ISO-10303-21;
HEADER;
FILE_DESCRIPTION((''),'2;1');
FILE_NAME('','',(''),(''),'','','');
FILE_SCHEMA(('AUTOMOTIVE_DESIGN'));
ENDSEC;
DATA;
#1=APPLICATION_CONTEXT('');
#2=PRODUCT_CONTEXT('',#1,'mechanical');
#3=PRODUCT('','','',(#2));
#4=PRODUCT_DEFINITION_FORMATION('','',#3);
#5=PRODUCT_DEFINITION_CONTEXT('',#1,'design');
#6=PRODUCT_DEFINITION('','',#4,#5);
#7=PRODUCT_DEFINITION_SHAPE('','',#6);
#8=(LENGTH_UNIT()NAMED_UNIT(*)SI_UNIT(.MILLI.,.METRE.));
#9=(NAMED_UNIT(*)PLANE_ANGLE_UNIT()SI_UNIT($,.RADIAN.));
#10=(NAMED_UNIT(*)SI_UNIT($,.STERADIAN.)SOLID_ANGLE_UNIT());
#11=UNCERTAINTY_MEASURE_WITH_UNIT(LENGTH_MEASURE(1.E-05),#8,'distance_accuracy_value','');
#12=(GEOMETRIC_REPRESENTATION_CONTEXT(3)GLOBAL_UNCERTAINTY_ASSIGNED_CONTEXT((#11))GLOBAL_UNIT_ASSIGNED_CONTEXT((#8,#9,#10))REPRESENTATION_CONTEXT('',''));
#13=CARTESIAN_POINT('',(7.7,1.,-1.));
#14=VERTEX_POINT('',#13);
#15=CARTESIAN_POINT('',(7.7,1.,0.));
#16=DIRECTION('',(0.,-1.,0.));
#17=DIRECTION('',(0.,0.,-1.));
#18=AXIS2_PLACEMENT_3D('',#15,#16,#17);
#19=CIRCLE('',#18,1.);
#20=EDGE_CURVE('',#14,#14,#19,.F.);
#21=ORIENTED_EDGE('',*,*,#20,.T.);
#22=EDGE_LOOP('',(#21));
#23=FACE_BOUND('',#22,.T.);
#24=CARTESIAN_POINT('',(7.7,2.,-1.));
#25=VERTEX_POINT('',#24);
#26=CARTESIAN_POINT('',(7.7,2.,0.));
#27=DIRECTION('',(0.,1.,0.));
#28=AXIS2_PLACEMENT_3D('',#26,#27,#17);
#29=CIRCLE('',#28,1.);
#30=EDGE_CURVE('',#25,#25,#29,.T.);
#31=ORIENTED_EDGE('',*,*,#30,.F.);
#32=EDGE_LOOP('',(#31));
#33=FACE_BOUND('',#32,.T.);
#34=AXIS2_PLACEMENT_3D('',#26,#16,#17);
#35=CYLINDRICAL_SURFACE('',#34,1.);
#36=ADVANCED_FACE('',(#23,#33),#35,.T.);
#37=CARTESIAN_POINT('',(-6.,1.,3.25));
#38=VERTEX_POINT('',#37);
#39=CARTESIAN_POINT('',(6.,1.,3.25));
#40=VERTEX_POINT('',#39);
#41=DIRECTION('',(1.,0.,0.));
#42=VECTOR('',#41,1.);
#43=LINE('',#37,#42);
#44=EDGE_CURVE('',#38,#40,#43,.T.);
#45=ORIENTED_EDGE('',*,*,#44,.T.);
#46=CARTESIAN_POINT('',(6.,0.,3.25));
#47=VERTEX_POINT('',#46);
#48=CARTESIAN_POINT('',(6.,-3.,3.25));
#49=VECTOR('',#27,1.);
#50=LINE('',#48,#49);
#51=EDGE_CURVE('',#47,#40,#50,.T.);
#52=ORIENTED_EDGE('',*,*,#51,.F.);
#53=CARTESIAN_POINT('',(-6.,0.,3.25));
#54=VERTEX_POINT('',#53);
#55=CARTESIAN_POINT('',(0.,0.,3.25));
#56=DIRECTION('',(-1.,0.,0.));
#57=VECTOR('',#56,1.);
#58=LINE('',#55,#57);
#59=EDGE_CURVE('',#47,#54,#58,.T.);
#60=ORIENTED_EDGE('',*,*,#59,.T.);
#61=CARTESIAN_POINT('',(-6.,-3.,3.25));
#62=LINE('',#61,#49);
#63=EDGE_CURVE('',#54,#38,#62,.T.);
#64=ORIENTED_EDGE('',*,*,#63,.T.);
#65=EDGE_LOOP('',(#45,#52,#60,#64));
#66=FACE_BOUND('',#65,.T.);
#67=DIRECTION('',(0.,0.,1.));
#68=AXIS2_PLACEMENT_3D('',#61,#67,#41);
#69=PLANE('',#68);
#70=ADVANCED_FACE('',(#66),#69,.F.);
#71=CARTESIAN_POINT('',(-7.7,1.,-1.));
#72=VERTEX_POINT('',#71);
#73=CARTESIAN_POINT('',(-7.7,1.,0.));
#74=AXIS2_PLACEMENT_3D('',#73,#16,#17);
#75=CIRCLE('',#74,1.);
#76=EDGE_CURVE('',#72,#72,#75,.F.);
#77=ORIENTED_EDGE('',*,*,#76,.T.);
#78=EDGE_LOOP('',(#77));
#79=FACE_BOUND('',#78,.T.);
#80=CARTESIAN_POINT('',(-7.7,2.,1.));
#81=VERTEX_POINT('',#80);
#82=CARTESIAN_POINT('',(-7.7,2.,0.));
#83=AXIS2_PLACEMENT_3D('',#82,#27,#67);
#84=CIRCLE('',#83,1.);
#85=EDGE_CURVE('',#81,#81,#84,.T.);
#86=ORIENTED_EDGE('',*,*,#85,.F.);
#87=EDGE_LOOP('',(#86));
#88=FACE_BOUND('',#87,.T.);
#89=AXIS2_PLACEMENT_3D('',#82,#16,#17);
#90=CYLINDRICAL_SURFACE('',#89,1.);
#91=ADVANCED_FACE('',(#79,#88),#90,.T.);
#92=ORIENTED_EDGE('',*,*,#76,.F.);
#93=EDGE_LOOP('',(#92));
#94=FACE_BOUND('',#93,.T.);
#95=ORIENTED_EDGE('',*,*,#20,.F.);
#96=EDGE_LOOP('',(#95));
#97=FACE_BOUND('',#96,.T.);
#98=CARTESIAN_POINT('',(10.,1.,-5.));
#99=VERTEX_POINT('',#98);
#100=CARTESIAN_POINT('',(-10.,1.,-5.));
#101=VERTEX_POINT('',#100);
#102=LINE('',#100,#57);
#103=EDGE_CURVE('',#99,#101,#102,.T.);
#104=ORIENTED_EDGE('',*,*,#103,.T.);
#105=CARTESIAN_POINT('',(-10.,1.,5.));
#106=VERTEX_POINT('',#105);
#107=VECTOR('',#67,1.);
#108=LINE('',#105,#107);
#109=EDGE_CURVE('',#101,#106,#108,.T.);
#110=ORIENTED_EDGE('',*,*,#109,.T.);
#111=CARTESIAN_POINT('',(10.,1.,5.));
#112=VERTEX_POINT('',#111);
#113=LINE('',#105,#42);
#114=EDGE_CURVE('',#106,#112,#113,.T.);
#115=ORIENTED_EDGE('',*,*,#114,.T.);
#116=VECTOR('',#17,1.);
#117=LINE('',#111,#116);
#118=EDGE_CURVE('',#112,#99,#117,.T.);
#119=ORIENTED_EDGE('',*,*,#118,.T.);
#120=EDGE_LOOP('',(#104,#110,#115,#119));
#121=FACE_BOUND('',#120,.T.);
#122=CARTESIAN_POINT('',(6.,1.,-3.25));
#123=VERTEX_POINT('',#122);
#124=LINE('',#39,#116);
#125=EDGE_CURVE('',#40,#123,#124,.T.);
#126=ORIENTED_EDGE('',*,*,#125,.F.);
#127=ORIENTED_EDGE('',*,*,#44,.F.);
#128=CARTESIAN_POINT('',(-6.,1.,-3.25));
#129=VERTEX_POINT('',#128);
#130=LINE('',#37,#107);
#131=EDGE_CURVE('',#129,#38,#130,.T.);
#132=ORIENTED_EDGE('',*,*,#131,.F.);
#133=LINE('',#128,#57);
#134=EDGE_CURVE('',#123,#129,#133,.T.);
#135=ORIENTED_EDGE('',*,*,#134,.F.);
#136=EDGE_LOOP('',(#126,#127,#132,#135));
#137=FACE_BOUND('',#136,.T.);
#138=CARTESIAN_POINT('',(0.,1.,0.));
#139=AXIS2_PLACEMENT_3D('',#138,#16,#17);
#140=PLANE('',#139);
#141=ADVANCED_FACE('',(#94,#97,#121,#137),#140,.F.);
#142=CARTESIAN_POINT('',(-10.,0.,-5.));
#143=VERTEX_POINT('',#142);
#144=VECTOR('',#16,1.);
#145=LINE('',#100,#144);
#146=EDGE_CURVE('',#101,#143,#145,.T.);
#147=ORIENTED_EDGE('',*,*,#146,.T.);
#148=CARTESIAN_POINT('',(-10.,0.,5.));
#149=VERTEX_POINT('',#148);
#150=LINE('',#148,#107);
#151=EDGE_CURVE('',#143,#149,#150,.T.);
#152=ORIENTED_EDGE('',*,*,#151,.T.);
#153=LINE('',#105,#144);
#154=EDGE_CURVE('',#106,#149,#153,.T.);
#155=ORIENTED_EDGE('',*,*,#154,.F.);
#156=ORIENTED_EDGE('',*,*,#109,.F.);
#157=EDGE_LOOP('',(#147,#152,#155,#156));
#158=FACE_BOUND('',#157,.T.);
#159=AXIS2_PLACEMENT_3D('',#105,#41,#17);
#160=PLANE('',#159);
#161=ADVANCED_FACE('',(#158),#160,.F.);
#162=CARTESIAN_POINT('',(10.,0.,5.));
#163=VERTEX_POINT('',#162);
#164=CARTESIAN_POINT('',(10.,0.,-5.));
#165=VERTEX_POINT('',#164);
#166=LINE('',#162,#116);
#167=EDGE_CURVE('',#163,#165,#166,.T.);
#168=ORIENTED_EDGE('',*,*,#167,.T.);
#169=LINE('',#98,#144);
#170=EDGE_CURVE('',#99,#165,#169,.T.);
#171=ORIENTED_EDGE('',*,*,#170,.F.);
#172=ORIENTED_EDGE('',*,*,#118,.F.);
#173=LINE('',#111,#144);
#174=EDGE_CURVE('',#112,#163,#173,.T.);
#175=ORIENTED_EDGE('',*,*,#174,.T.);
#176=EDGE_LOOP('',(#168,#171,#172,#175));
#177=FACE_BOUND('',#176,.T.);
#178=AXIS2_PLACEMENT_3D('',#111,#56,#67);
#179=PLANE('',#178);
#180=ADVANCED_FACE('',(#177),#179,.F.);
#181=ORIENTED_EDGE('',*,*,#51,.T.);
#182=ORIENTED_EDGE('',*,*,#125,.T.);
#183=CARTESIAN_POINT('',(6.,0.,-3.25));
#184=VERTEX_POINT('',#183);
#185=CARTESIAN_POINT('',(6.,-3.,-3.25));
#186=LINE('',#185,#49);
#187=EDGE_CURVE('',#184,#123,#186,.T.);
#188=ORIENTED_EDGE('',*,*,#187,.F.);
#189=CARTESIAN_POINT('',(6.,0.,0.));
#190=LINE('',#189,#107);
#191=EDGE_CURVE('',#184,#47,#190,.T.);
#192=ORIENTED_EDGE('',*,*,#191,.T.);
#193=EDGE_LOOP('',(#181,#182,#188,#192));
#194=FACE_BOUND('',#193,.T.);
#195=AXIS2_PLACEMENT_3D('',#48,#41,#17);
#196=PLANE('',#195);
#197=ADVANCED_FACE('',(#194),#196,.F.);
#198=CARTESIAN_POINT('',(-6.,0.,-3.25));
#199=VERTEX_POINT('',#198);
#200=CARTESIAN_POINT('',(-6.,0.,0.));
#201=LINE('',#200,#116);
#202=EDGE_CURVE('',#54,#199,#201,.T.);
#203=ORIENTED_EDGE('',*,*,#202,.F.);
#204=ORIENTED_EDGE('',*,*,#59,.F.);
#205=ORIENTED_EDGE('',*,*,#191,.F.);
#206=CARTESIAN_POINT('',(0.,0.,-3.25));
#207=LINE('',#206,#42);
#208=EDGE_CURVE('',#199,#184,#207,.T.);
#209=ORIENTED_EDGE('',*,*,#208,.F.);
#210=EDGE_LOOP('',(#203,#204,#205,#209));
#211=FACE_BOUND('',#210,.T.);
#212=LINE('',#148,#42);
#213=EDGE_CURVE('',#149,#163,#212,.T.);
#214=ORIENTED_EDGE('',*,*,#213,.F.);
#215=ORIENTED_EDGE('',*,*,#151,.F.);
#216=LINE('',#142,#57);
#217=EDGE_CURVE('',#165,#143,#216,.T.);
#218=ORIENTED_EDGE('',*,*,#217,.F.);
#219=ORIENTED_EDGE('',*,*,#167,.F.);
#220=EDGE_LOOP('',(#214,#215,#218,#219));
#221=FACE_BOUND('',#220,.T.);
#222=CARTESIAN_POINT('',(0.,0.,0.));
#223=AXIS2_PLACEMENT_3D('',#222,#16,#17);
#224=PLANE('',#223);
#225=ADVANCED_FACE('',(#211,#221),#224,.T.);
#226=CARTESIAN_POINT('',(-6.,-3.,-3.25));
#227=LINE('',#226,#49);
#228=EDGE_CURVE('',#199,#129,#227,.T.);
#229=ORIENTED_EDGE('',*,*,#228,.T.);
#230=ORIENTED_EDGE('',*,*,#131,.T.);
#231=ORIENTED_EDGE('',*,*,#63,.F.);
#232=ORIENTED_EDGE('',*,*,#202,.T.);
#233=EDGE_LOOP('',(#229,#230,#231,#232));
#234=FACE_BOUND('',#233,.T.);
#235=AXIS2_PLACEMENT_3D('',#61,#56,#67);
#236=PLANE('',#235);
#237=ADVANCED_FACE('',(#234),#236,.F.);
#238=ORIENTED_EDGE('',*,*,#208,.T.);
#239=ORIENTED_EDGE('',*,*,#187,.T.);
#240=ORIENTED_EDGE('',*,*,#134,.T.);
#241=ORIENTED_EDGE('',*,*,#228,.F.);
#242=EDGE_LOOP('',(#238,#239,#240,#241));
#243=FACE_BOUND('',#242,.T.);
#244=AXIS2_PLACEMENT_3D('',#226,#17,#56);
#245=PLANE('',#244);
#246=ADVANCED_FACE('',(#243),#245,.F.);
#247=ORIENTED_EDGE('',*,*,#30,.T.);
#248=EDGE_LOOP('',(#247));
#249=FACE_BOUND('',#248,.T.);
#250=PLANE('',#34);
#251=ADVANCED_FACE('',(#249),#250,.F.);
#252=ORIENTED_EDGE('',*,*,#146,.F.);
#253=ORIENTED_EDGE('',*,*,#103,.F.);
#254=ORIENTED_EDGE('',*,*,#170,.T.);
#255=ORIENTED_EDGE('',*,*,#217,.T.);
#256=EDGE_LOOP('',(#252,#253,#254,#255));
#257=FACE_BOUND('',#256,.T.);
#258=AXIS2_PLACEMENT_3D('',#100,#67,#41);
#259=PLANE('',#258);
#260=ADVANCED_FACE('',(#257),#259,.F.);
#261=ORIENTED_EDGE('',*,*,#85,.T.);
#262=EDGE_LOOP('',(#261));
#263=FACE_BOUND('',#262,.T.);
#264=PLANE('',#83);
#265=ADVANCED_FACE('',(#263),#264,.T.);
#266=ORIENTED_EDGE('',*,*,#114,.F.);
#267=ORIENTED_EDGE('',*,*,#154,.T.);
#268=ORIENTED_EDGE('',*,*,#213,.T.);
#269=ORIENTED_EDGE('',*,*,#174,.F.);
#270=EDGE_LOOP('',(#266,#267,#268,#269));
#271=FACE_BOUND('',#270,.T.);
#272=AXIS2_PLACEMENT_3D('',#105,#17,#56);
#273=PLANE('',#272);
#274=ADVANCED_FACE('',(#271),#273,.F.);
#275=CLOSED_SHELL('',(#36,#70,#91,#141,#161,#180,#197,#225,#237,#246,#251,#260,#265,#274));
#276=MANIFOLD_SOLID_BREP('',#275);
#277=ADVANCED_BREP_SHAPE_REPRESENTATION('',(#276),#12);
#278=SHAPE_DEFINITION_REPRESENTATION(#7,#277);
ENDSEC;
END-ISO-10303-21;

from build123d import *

# Parameters (mm, degrees)
SKETCH1_W           = 20
SKETCH1_H           = 10
BOSS_EXTRUDE1_DEPTH = 1
SKETCH2_W           = 12
SKETCH2_H           = 6.5
CUT_EXTRUDE1_DEPTH  = 4
SKETCH3_R           = 1
BOSS_EXTRUDE2_DEPTH = 1


with BuildPart() as part:
    # Sketch1 → Boss-Extrude1 (new body)
    with BuildSketch(Plane(origin=(0, 0, 0), x_dir=(1, 0, 0), z_dir=(0, 1, 0))):
        Rectangle(SKETCH1_W, SKETCH1_H)
    extrude(amount=BOSS_EXTRUDE1_DEPTH)

    # Sketch2 → Cut-Extrude1 (cut)
    with BuildSketch(Plane(origin=(0, 1, 0), x_dir=(1, 0, 0), z_dir=(0, 1, 0))):
        Rectangle(SKETCH2_W, SKETCH2_H)
    extrude(amount=-CUT_EXTRUDE1_DEPTH, mode=Mode.SUBTRACT)

    # Sketch3 → Boss-Extrude2 (add)
    with BuildSketch(Plane(origin=(0, 1, 0), x_dir=(1, 0, 0), z_dir=(0, 1, 0))):
        with Locations(Location((-7.7, 0, 0), (0, 0, 90))):
            Circle(SKETCH3_R)
        with Locations(Location((7.7, 0, 0), (0, 0, 90))):
            Circle(SKETCH3_R)
    extrude(amount=BOSS_EXTRUDE2_DEPTH)


solid = part.part
